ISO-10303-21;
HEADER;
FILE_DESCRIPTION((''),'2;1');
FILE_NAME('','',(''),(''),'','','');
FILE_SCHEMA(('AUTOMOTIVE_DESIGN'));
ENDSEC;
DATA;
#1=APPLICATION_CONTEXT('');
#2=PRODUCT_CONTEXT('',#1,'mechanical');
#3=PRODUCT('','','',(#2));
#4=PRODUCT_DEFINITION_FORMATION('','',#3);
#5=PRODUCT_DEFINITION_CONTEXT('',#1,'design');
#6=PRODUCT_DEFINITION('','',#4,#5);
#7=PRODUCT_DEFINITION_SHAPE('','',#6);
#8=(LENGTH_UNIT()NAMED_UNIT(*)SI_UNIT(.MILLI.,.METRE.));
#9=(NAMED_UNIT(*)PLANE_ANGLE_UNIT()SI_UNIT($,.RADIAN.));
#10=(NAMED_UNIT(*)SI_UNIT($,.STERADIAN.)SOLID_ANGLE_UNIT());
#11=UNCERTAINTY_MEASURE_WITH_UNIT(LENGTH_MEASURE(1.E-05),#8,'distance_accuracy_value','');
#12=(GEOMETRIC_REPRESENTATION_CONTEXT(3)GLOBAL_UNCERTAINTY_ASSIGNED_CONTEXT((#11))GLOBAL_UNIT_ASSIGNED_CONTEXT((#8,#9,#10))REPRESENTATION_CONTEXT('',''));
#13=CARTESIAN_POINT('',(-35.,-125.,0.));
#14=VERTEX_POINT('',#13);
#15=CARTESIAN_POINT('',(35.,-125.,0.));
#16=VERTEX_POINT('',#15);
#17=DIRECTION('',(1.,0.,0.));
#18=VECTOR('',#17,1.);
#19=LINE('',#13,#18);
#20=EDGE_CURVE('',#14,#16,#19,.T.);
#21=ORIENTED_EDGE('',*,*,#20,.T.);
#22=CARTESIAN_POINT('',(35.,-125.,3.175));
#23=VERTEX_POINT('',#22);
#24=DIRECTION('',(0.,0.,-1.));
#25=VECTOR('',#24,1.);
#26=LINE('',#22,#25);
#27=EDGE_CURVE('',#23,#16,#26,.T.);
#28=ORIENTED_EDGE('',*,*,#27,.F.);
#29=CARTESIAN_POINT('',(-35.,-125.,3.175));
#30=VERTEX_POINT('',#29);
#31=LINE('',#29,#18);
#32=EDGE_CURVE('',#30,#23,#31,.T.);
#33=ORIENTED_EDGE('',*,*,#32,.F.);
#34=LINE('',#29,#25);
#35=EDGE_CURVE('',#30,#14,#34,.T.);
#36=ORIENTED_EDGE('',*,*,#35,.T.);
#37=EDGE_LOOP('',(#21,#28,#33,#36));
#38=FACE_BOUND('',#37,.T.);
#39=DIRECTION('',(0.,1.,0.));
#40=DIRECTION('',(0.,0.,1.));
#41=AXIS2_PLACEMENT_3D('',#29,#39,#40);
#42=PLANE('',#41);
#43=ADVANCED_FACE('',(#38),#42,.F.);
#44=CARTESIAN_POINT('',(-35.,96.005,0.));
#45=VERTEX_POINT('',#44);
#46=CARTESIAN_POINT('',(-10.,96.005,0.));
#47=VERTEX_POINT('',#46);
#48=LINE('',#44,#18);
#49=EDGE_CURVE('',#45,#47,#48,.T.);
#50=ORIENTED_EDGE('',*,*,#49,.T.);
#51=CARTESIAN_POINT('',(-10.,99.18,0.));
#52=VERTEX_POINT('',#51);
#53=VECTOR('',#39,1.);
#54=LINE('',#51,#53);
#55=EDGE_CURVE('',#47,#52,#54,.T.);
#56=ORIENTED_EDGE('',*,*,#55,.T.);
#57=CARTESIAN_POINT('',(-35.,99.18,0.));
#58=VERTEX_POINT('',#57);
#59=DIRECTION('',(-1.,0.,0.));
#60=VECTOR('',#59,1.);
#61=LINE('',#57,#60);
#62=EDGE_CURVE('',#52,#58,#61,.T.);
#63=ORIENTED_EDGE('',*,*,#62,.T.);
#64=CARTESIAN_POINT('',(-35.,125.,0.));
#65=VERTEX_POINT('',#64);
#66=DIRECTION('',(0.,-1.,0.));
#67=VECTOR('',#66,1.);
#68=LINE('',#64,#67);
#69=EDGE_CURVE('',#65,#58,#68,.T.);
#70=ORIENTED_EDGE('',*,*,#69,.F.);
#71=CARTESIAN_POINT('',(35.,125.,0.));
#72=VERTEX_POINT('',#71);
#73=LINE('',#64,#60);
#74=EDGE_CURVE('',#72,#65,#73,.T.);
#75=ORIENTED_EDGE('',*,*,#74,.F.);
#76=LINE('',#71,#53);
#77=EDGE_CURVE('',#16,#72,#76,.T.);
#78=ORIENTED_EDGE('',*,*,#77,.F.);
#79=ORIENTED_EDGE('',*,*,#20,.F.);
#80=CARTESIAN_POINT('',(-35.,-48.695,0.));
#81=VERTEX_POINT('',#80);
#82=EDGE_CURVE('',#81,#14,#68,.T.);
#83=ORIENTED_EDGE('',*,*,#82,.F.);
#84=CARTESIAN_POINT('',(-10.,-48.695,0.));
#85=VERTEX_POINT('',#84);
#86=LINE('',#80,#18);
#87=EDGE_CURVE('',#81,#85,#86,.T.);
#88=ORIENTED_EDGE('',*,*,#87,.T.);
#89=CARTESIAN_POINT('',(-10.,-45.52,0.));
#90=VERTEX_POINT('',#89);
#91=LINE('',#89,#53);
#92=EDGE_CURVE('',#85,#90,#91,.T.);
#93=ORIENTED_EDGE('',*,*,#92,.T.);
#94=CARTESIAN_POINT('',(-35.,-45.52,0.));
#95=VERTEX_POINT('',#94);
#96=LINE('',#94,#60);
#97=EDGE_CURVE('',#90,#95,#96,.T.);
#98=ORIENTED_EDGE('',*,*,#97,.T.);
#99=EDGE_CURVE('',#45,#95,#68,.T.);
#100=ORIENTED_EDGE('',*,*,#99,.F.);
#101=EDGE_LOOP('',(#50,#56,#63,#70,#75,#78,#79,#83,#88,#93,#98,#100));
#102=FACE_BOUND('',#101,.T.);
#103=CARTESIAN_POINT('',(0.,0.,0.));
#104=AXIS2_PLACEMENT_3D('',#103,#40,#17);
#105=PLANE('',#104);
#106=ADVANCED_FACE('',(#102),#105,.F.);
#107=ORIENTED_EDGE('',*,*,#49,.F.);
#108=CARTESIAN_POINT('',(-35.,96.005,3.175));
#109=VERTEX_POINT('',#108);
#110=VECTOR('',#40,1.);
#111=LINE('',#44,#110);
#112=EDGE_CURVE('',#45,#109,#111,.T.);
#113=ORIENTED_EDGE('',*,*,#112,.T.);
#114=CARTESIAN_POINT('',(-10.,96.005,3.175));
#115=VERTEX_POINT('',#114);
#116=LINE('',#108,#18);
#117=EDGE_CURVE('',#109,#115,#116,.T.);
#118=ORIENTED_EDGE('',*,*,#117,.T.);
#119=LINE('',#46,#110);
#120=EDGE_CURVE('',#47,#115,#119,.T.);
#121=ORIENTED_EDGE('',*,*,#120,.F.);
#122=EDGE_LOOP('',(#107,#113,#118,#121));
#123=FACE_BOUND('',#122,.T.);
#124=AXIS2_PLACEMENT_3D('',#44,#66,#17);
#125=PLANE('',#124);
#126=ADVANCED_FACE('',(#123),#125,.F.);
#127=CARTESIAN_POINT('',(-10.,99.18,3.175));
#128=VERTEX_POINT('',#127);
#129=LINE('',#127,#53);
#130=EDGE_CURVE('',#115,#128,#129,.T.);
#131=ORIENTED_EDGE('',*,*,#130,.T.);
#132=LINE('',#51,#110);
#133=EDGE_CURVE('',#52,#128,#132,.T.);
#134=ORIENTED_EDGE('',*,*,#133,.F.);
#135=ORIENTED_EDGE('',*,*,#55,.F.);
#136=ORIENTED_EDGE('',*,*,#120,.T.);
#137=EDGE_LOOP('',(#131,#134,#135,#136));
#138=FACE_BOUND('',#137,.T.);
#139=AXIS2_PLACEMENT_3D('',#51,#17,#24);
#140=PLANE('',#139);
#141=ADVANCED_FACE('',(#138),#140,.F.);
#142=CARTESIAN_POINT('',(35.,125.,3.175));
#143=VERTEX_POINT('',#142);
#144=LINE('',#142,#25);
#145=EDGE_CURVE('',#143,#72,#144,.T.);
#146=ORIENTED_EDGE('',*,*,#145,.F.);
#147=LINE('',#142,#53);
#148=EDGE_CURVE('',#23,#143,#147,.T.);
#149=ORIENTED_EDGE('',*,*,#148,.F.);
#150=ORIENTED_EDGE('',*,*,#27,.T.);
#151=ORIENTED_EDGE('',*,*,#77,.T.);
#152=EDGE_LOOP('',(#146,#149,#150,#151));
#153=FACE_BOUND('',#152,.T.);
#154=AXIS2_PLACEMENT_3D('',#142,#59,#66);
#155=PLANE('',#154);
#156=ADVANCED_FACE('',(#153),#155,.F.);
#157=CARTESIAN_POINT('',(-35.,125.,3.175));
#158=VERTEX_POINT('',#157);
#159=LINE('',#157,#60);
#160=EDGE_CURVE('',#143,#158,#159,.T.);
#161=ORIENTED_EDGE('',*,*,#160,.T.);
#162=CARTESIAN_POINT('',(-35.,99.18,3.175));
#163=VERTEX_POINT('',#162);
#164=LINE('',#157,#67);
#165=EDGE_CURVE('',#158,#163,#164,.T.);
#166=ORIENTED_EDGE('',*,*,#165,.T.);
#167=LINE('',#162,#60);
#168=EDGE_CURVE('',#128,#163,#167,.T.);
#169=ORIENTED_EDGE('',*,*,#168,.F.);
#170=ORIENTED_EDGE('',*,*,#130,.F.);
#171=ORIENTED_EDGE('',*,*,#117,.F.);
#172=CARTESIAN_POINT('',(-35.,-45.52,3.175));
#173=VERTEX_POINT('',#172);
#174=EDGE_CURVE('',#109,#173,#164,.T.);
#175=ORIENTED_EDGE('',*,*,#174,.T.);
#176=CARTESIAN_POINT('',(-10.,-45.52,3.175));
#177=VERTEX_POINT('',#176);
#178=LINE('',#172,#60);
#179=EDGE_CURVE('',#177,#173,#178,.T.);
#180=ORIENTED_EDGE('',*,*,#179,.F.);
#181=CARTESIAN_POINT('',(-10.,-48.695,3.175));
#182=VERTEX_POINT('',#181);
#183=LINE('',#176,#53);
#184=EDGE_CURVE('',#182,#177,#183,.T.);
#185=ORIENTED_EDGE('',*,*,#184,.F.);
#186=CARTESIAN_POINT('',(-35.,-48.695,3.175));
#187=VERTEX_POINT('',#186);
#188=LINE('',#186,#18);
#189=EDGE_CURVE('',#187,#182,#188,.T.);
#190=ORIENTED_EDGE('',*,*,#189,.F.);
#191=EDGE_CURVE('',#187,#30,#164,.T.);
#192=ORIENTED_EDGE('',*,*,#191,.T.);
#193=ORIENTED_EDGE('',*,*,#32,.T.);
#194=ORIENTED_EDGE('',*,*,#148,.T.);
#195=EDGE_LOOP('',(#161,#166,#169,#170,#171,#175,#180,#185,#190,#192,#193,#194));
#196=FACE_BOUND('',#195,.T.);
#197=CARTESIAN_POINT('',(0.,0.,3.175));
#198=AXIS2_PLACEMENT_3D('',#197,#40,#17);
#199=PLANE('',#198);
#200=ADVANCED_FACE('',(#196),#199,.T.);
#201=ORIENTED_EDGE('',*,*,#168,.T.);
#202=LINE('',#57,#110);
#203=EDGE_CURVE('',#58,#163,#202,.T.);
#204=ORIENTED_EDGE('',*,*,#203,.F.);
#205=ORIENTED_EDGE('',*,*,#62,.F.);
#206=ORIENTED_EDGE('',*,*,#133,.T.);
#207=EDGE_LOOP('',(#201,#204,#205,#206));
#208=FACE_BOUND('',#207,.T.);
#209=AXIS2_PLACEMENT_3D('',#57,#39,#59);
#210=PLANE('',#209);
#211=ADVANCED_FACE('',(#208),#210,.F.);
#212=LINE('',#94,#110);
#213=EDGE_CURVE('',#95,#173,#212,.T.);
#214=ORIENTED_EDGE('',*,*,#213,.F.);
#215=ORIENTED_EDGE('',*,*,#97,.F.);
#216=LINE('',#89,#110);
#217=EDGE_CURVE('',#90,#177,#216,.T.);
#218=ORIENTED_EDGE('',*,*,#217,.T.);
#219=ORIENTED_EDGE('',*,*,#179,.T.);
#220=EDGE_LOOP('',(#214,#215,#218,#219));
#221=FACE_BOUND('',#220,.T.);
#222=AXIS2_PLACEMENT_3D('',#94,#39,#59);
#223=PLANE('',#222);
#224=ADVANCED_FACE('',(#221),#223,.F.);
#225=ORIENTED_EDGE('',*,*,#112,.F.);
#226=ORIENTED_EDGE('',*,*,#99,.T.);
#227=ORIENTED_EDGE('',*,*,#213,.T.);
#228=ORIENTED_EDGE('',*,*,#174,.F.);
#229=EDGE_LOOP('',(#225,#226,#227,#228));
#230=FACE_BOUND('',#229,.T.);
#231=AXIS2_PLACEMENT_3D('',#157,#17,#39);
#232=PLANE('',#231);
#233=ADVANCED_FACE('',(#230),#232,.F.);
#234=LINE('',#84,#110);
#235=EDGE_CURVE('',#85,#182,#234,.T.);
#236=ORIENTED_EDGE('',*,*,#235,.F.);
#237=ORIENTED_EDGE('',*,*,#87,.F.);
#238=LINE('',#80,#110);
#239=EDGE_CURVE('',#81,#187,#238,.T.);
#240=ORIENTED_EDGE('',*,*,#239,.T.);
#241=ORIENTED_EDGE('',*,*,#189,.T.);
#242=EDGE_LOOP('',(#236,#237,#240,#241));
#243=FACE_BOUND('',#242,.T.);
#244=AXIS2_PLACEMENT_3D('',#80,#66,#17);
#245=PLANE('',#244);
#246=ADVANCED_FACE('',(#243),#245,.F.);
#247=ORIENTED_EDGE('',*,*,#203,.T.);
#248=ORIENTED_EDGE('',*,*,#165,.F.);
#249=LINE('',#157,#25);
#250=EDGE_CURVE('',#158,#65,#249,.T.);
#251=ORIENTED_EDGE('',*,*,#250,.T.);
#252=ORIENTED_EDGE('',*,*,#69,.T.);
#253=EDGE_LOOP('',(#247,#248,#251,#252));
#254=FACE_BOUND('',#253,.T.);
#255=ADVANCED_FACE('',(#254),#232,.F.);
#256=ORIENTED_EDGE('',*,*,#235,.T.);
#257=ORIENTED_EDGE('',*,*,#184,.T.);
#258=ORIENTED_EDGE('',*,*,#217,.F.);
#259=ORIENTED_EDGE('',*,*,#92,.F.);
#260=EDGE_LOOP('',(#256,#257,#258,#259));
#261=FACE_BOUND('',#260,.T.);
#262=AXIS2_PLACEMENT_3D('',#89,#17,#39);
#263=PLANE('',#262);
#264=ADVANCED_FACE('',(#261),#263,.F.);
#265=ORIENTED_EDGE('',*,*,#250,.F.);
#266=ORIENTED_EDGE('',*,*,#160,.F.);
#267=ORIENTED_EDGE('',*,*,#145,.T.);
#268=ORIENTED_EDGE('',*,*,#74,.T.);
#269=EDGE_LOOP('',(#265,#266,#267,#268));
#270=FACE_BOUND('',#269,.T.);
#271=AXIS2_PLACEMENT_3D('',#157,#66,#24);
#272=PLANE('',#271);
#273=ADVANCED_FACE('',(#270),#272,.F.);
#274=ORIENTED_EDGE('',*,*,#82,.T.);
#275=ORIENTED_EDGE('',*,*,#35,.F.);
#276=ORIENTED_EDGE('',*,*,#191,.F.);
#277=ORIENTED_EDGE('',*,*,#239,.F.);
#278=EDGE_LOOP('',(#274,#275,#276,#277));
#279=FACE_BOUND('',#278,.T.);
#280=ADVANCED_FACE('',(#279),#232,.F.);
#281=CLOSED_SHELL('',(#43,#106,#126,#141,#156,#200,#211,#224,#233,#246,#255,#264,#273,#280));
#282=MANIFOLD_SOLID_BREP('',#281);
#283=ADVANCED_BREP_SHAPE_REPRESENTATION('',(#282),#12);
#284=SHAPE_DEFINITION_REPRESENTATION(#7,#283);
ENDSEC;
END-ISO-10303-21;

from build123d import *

# Parameters (mm, degrees)
SKETCH1_W           = 70
SKETCH1_H           = 250
BOSS_EXTRUDE1_DEPTH = 3.175
SKETCH2_W           = 25
SKETCH2_H           = 3.175
CUT_EXTRUDE1_DEPTH  = 3.175


with BuildPart() as part:
    # Sketch1 → Boss-Extrude1 (new body)
    with BuildSketch(Plane.XY):
        Rectangle(SKETCH1_W, SKETCH1_H)
    extrude(amount=BOSS_EXTRUDE1_DEPTH)

    # Sketch2 → Cut-Extrude1 (cut)
    with BuildSketch(Plane.XY.offset(3.175)):
        with Locations((-22.5, 97.5925)):
            Rectangle(SKETCH2_W, SKETCH2_H)
        with Locations((-22.5, -47.1075)):
            Rectangle(SKETCH2_W, SKETCH2_H)
    extrude(amount=-CUT_EXTRUDE1_DEPTH, mode=Mode.SUBTRACT)


solid = part.part
